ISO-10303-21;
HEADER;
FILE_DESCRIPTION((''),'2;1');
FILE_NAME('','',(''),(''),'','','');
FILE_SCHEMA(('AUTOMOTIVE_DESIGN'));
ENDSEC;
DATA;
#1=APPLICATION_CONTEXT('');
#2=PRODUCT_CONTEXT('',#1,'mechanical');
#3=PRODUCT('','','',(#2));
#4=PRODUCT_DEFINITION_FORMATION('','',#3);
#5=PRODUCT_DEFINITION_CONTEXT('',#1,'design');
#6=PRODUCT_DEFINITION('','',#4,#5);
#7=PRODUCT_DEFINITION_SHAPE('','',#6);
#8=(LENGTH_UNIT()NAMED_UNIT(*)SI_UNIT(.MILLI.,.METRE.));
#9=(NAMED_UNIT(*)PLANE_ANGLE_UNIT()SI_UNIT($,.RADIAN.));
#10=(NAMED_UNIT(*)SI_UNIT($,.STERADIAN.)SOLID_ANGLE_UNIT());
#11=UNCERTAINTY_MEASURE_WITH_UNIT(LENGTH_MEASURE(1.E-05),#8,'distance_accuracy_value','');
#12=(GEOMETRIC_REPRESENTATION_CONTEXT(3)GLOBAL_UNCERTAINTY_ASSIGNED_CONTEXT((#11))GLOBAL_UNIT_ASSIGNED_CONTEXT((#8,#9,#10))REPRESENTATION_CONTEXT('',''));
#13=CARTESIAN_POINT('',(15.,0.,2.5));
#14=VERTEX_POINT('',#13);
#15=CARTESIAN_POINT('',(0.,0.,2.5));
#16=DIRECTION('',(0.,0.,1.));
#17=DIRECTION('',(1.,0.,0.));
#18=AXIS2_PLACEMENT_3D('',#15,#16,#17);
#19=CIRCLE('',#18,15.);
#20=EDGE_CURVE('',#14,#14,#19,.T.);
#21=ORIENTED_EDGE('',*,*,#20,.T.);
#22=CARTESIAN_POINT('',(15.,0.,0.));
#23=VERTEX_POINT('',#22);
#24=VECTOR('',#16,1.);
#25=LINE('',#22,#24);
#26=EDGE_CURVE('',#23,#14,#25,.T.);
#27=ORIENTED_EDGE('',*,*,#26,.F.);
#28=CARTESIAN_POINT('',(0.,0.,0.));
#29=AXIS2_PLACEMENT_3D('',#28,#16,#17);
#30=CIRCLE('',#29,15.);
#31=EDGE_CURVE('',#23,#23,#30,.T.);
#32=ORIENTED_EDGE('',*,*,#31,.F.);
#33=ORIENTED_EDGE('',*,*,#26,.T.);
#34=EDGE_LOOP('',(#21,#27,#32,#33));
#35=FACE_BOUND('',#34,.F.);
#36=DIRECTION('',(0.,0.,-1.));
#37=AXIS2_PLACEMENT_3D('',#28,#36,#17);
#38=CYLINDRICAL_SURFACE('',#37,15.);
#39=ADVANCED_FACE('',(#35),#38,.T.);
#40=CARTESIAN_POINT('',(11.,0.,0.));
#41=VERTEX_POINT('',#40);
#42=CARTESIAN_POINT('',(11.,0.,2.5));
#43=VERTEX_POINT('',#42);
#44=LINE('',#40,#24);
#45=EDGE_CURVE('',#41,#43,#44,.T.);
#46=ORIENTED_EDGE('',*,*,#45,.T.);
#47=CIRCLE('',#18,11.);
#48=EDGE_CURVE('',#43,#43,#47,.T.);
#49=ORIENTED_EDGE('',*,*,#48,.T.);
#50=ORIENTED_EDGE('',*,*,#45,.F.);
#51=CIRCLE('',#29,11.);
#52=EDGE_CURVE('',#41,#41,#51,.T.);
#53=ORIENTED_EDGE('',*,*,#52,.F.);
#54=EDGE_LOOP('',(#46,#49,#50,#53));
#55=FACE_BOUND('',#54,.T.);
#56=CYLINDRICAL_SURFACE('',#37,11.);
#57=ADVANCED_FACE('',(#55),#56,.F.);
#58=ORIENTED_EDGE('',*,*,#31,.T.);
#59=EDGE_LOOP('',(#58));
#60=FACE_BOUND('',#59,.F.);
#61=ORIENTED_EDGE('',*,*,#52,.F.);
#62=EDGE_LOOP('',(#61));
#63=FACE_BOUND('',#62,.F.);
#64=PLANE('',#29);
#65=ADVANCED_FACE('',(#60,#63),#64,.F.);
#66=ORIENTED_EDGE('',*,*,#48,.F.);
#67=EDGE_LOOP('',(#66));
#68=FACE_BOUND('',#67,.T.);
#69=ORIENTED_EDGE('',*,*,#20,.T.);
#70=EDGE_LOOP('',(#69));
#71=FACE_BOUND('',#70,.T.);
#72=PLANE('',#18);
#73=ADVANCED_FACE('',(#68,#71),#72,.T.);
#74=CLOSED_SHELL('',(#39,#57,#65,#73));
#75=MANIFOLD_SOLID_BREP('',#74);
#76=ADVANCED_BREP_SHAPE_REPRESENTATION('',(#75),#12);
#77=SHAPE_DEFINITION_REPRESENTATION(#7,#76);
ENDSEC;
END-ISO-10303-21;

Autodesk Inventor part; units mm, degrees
ref_plane "YZ Plane" through (0, 0, 0) normal (1, 0, 0) x (0, 1, 0)
ref_plane "XZ Plane" through (0, 0, 0) normal (0, 1, 0) x (-1, 0, 0)
ref_plane "XY Plane" through (0, 0, 0) normal (0, 0, 1) x (1, 0, 0)
sketch "スケッチ1" plane through (0, 0, 0) normal (0, 0, 1) x (1, 0, 0)
  circle A0 centre (0, 0) radius 11
  circle A1 centre (0, 0) radius 15
  dimension "d0" = 22
  dimension "d1" = 30
extrude "押し出し1" add sketch "スケッチ1" along normal blind 2.5
properties part number "CC-2230-25B"
